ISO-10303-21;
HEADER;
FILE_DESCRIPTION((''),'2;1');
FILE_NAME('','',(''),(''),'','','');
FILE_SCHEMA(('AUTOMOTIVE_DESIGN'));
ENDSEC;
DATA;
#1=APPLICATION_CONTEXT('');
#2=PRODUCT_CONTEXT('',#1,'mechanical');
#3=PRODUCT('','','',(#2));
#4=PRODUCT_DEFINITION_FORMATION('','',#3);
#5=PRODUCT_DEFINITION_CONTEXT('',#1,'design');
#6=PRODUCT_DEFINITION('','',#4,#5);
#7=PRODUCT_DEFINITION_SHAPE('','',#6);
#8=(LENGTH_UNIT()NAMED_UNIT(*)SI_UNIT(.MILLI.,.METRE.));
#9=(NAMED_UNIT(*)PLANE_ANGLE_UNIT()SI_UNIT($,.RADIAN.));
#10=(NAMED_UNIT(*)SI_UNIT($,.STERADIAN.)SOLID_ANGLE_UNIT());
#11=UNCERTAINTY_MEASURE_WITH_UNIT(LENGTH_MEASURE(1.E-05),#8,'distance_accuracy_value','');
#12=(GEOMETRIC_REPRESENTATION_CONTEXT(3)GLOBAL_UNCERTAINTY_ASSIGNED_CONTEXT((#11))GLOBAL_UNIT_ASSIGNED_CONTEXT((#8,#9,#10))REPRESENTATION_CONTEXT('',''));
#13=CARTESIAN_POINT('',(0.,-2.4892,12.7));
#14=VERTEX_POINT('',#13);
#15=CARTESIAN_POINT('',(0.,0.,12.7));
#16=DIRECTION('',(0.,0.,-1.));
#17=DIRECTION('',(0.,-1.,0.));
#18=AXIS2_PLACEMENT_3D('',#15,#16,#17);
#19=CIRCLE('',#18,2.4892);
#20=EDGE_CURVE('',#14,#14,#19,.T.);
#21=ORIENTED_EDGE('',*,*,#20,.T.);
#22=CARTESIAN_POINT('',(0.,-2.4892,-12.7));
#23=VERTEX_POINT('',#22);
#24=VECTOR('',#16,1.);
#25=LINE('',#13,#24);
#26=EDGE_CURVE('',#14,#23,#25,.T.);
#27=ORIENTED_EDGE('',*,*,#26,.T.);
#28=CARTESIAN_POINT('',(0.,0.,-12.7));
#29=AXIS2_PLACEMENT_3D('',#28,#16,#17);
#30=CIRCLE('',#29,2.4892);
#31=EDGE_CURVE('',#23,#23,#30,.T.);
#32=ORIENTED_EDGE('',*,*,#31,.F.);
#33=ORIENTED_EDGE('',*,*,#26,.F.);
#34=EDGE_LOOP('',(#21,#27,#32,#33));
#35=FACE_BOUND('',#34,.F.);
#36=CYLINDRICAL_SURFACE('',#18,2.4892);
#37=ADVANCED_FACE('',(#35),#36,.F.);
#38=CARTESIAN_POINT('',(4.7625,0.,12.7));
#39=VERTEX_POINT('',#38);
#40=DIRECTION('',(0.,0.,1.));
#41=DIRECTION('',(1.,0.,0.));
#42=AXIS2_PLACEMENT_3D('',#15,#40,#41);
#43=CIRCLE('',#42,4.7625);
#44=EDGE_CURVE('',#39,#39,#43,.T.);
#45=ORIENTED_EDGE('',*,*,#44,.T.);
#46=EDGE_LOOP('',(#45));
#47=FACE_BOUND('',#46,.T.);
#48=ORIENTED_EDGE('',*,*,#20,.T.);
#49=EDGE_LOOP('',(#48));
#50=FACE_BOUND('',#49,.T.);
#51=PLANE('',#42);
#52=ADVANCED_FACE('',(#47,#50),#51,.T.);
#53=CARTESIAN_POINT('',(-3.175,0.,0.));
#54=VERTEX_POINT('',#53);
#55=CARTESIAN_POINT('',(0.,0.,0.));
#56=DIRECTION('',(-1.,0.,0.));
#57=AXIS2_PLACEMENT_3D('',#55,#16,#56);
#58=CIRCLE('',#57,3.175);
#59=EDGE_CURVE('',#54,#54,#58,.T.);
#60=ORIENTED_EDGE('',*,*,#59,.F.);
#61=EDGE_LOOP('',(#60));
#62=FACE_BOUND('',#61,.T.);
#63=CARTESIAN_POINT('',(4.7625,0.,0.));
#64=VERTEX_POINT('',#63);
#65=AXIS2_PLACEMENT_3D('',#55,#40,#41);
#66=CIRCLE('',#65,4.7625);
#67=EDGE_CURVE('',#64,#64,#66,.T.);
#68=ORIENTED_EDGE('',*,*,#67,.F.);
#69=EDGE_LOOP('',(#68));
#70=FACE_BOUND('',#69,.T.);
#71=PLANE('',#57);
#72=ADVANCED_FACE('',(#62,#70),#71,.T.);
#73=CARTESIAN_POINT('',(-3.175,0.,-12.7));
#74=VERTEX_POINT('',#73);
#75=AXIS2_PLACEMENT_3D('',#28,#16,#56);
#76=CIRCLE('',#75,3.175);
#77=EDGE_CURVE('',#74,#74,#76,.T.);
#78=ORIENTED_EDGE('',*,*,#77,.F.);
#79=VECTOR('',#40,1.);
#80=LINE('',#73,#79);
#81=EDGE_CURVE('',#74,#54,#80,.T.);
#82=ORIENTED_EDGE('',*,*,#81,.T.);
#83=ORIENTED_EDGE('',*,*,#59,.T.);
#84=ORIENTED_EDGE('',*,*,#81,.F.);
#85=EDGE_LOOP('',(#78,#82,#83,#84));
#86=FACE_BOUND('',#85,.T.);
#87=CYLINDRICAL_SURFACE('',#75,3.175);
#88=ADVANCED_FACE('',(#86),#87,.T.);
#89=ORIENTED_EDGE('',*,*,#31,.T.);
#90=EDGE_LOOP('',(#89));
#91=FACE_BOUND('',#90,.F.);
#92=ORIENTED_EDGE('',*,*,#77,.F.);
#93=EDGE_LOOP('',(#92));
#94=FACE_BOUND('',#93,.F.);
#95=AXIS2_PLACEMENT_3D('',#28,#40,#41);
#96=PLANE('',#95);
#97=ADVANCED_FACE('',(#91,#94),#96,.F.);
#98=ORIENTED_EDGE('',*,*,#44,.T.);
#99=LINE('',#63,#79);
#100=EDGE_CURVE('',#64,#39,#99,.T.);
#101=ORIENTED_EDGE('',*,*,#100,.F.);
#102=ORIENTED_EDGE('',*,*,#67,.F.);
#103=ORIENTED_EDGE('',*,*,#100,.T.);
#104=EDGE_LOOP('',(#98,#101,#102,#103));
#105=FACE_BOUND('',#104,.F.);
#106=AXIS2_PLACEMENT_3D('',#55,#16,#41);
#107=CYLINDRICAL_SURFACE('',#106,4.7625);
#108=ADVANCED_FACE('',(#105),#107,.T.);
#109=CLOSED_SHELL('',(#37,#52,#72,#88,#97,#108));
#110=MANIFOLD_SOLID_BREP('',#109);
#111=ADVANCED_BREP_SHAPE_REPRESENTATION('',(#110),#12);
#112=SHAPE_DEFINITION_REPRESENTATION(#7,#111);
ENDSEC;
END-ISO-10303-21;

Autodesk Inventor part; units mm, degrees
ref_plane "YZ Plane" through (0, 0, 0) normal (1, 0, 0) x (0, 1, 0)
ref_plane "XZ Plane" through (0, 0, 0) normal (0, 1, 0) x (-1, 0, 0)
ref_plane "XY Plane" through (0, 0, 0) normal (0, 0, 1) x (1, 0, 0)
sketch "Sketch1" plane through (0, 0, 0) normal (0, 0, 1) x (1, 0, 0)
  circle A0 centre (0, 0) radius 4.7625
  dimension "d0" = 9.525
extrude "Extrusion1" add sketch "Sketch1" along normal mid plane 25.4
sketch "Sketch3" plane through (0, 0, 12.7) normal (0, 0, 1) x (1, 0, 0)
  circle A0 centre (0, 0) radius 4.7625 projected
hole "Hole1" at (0, 0, 12.7) direction (0, 0, -1) diameter 4.9784 end through all clearance for "Flat Head Machine Screw (82)" size "#10" standard "Ansi Unified Screw Threads"
sketch "Sketch4" plane through (0, 0, -12.7) normal (0, 0, -1) x (-1, 0, 0)
  circle A0 centre (0, 0) radius 3.175
  circle A1 centre (0, 0) radius 4.7625 projected
  dimension "d10" = 6.35
extrude "Extrusion2" cut sketch "Sketch4" against normal blind 12.7
properties part number "EL2-008" material "Aluminum 6061"
